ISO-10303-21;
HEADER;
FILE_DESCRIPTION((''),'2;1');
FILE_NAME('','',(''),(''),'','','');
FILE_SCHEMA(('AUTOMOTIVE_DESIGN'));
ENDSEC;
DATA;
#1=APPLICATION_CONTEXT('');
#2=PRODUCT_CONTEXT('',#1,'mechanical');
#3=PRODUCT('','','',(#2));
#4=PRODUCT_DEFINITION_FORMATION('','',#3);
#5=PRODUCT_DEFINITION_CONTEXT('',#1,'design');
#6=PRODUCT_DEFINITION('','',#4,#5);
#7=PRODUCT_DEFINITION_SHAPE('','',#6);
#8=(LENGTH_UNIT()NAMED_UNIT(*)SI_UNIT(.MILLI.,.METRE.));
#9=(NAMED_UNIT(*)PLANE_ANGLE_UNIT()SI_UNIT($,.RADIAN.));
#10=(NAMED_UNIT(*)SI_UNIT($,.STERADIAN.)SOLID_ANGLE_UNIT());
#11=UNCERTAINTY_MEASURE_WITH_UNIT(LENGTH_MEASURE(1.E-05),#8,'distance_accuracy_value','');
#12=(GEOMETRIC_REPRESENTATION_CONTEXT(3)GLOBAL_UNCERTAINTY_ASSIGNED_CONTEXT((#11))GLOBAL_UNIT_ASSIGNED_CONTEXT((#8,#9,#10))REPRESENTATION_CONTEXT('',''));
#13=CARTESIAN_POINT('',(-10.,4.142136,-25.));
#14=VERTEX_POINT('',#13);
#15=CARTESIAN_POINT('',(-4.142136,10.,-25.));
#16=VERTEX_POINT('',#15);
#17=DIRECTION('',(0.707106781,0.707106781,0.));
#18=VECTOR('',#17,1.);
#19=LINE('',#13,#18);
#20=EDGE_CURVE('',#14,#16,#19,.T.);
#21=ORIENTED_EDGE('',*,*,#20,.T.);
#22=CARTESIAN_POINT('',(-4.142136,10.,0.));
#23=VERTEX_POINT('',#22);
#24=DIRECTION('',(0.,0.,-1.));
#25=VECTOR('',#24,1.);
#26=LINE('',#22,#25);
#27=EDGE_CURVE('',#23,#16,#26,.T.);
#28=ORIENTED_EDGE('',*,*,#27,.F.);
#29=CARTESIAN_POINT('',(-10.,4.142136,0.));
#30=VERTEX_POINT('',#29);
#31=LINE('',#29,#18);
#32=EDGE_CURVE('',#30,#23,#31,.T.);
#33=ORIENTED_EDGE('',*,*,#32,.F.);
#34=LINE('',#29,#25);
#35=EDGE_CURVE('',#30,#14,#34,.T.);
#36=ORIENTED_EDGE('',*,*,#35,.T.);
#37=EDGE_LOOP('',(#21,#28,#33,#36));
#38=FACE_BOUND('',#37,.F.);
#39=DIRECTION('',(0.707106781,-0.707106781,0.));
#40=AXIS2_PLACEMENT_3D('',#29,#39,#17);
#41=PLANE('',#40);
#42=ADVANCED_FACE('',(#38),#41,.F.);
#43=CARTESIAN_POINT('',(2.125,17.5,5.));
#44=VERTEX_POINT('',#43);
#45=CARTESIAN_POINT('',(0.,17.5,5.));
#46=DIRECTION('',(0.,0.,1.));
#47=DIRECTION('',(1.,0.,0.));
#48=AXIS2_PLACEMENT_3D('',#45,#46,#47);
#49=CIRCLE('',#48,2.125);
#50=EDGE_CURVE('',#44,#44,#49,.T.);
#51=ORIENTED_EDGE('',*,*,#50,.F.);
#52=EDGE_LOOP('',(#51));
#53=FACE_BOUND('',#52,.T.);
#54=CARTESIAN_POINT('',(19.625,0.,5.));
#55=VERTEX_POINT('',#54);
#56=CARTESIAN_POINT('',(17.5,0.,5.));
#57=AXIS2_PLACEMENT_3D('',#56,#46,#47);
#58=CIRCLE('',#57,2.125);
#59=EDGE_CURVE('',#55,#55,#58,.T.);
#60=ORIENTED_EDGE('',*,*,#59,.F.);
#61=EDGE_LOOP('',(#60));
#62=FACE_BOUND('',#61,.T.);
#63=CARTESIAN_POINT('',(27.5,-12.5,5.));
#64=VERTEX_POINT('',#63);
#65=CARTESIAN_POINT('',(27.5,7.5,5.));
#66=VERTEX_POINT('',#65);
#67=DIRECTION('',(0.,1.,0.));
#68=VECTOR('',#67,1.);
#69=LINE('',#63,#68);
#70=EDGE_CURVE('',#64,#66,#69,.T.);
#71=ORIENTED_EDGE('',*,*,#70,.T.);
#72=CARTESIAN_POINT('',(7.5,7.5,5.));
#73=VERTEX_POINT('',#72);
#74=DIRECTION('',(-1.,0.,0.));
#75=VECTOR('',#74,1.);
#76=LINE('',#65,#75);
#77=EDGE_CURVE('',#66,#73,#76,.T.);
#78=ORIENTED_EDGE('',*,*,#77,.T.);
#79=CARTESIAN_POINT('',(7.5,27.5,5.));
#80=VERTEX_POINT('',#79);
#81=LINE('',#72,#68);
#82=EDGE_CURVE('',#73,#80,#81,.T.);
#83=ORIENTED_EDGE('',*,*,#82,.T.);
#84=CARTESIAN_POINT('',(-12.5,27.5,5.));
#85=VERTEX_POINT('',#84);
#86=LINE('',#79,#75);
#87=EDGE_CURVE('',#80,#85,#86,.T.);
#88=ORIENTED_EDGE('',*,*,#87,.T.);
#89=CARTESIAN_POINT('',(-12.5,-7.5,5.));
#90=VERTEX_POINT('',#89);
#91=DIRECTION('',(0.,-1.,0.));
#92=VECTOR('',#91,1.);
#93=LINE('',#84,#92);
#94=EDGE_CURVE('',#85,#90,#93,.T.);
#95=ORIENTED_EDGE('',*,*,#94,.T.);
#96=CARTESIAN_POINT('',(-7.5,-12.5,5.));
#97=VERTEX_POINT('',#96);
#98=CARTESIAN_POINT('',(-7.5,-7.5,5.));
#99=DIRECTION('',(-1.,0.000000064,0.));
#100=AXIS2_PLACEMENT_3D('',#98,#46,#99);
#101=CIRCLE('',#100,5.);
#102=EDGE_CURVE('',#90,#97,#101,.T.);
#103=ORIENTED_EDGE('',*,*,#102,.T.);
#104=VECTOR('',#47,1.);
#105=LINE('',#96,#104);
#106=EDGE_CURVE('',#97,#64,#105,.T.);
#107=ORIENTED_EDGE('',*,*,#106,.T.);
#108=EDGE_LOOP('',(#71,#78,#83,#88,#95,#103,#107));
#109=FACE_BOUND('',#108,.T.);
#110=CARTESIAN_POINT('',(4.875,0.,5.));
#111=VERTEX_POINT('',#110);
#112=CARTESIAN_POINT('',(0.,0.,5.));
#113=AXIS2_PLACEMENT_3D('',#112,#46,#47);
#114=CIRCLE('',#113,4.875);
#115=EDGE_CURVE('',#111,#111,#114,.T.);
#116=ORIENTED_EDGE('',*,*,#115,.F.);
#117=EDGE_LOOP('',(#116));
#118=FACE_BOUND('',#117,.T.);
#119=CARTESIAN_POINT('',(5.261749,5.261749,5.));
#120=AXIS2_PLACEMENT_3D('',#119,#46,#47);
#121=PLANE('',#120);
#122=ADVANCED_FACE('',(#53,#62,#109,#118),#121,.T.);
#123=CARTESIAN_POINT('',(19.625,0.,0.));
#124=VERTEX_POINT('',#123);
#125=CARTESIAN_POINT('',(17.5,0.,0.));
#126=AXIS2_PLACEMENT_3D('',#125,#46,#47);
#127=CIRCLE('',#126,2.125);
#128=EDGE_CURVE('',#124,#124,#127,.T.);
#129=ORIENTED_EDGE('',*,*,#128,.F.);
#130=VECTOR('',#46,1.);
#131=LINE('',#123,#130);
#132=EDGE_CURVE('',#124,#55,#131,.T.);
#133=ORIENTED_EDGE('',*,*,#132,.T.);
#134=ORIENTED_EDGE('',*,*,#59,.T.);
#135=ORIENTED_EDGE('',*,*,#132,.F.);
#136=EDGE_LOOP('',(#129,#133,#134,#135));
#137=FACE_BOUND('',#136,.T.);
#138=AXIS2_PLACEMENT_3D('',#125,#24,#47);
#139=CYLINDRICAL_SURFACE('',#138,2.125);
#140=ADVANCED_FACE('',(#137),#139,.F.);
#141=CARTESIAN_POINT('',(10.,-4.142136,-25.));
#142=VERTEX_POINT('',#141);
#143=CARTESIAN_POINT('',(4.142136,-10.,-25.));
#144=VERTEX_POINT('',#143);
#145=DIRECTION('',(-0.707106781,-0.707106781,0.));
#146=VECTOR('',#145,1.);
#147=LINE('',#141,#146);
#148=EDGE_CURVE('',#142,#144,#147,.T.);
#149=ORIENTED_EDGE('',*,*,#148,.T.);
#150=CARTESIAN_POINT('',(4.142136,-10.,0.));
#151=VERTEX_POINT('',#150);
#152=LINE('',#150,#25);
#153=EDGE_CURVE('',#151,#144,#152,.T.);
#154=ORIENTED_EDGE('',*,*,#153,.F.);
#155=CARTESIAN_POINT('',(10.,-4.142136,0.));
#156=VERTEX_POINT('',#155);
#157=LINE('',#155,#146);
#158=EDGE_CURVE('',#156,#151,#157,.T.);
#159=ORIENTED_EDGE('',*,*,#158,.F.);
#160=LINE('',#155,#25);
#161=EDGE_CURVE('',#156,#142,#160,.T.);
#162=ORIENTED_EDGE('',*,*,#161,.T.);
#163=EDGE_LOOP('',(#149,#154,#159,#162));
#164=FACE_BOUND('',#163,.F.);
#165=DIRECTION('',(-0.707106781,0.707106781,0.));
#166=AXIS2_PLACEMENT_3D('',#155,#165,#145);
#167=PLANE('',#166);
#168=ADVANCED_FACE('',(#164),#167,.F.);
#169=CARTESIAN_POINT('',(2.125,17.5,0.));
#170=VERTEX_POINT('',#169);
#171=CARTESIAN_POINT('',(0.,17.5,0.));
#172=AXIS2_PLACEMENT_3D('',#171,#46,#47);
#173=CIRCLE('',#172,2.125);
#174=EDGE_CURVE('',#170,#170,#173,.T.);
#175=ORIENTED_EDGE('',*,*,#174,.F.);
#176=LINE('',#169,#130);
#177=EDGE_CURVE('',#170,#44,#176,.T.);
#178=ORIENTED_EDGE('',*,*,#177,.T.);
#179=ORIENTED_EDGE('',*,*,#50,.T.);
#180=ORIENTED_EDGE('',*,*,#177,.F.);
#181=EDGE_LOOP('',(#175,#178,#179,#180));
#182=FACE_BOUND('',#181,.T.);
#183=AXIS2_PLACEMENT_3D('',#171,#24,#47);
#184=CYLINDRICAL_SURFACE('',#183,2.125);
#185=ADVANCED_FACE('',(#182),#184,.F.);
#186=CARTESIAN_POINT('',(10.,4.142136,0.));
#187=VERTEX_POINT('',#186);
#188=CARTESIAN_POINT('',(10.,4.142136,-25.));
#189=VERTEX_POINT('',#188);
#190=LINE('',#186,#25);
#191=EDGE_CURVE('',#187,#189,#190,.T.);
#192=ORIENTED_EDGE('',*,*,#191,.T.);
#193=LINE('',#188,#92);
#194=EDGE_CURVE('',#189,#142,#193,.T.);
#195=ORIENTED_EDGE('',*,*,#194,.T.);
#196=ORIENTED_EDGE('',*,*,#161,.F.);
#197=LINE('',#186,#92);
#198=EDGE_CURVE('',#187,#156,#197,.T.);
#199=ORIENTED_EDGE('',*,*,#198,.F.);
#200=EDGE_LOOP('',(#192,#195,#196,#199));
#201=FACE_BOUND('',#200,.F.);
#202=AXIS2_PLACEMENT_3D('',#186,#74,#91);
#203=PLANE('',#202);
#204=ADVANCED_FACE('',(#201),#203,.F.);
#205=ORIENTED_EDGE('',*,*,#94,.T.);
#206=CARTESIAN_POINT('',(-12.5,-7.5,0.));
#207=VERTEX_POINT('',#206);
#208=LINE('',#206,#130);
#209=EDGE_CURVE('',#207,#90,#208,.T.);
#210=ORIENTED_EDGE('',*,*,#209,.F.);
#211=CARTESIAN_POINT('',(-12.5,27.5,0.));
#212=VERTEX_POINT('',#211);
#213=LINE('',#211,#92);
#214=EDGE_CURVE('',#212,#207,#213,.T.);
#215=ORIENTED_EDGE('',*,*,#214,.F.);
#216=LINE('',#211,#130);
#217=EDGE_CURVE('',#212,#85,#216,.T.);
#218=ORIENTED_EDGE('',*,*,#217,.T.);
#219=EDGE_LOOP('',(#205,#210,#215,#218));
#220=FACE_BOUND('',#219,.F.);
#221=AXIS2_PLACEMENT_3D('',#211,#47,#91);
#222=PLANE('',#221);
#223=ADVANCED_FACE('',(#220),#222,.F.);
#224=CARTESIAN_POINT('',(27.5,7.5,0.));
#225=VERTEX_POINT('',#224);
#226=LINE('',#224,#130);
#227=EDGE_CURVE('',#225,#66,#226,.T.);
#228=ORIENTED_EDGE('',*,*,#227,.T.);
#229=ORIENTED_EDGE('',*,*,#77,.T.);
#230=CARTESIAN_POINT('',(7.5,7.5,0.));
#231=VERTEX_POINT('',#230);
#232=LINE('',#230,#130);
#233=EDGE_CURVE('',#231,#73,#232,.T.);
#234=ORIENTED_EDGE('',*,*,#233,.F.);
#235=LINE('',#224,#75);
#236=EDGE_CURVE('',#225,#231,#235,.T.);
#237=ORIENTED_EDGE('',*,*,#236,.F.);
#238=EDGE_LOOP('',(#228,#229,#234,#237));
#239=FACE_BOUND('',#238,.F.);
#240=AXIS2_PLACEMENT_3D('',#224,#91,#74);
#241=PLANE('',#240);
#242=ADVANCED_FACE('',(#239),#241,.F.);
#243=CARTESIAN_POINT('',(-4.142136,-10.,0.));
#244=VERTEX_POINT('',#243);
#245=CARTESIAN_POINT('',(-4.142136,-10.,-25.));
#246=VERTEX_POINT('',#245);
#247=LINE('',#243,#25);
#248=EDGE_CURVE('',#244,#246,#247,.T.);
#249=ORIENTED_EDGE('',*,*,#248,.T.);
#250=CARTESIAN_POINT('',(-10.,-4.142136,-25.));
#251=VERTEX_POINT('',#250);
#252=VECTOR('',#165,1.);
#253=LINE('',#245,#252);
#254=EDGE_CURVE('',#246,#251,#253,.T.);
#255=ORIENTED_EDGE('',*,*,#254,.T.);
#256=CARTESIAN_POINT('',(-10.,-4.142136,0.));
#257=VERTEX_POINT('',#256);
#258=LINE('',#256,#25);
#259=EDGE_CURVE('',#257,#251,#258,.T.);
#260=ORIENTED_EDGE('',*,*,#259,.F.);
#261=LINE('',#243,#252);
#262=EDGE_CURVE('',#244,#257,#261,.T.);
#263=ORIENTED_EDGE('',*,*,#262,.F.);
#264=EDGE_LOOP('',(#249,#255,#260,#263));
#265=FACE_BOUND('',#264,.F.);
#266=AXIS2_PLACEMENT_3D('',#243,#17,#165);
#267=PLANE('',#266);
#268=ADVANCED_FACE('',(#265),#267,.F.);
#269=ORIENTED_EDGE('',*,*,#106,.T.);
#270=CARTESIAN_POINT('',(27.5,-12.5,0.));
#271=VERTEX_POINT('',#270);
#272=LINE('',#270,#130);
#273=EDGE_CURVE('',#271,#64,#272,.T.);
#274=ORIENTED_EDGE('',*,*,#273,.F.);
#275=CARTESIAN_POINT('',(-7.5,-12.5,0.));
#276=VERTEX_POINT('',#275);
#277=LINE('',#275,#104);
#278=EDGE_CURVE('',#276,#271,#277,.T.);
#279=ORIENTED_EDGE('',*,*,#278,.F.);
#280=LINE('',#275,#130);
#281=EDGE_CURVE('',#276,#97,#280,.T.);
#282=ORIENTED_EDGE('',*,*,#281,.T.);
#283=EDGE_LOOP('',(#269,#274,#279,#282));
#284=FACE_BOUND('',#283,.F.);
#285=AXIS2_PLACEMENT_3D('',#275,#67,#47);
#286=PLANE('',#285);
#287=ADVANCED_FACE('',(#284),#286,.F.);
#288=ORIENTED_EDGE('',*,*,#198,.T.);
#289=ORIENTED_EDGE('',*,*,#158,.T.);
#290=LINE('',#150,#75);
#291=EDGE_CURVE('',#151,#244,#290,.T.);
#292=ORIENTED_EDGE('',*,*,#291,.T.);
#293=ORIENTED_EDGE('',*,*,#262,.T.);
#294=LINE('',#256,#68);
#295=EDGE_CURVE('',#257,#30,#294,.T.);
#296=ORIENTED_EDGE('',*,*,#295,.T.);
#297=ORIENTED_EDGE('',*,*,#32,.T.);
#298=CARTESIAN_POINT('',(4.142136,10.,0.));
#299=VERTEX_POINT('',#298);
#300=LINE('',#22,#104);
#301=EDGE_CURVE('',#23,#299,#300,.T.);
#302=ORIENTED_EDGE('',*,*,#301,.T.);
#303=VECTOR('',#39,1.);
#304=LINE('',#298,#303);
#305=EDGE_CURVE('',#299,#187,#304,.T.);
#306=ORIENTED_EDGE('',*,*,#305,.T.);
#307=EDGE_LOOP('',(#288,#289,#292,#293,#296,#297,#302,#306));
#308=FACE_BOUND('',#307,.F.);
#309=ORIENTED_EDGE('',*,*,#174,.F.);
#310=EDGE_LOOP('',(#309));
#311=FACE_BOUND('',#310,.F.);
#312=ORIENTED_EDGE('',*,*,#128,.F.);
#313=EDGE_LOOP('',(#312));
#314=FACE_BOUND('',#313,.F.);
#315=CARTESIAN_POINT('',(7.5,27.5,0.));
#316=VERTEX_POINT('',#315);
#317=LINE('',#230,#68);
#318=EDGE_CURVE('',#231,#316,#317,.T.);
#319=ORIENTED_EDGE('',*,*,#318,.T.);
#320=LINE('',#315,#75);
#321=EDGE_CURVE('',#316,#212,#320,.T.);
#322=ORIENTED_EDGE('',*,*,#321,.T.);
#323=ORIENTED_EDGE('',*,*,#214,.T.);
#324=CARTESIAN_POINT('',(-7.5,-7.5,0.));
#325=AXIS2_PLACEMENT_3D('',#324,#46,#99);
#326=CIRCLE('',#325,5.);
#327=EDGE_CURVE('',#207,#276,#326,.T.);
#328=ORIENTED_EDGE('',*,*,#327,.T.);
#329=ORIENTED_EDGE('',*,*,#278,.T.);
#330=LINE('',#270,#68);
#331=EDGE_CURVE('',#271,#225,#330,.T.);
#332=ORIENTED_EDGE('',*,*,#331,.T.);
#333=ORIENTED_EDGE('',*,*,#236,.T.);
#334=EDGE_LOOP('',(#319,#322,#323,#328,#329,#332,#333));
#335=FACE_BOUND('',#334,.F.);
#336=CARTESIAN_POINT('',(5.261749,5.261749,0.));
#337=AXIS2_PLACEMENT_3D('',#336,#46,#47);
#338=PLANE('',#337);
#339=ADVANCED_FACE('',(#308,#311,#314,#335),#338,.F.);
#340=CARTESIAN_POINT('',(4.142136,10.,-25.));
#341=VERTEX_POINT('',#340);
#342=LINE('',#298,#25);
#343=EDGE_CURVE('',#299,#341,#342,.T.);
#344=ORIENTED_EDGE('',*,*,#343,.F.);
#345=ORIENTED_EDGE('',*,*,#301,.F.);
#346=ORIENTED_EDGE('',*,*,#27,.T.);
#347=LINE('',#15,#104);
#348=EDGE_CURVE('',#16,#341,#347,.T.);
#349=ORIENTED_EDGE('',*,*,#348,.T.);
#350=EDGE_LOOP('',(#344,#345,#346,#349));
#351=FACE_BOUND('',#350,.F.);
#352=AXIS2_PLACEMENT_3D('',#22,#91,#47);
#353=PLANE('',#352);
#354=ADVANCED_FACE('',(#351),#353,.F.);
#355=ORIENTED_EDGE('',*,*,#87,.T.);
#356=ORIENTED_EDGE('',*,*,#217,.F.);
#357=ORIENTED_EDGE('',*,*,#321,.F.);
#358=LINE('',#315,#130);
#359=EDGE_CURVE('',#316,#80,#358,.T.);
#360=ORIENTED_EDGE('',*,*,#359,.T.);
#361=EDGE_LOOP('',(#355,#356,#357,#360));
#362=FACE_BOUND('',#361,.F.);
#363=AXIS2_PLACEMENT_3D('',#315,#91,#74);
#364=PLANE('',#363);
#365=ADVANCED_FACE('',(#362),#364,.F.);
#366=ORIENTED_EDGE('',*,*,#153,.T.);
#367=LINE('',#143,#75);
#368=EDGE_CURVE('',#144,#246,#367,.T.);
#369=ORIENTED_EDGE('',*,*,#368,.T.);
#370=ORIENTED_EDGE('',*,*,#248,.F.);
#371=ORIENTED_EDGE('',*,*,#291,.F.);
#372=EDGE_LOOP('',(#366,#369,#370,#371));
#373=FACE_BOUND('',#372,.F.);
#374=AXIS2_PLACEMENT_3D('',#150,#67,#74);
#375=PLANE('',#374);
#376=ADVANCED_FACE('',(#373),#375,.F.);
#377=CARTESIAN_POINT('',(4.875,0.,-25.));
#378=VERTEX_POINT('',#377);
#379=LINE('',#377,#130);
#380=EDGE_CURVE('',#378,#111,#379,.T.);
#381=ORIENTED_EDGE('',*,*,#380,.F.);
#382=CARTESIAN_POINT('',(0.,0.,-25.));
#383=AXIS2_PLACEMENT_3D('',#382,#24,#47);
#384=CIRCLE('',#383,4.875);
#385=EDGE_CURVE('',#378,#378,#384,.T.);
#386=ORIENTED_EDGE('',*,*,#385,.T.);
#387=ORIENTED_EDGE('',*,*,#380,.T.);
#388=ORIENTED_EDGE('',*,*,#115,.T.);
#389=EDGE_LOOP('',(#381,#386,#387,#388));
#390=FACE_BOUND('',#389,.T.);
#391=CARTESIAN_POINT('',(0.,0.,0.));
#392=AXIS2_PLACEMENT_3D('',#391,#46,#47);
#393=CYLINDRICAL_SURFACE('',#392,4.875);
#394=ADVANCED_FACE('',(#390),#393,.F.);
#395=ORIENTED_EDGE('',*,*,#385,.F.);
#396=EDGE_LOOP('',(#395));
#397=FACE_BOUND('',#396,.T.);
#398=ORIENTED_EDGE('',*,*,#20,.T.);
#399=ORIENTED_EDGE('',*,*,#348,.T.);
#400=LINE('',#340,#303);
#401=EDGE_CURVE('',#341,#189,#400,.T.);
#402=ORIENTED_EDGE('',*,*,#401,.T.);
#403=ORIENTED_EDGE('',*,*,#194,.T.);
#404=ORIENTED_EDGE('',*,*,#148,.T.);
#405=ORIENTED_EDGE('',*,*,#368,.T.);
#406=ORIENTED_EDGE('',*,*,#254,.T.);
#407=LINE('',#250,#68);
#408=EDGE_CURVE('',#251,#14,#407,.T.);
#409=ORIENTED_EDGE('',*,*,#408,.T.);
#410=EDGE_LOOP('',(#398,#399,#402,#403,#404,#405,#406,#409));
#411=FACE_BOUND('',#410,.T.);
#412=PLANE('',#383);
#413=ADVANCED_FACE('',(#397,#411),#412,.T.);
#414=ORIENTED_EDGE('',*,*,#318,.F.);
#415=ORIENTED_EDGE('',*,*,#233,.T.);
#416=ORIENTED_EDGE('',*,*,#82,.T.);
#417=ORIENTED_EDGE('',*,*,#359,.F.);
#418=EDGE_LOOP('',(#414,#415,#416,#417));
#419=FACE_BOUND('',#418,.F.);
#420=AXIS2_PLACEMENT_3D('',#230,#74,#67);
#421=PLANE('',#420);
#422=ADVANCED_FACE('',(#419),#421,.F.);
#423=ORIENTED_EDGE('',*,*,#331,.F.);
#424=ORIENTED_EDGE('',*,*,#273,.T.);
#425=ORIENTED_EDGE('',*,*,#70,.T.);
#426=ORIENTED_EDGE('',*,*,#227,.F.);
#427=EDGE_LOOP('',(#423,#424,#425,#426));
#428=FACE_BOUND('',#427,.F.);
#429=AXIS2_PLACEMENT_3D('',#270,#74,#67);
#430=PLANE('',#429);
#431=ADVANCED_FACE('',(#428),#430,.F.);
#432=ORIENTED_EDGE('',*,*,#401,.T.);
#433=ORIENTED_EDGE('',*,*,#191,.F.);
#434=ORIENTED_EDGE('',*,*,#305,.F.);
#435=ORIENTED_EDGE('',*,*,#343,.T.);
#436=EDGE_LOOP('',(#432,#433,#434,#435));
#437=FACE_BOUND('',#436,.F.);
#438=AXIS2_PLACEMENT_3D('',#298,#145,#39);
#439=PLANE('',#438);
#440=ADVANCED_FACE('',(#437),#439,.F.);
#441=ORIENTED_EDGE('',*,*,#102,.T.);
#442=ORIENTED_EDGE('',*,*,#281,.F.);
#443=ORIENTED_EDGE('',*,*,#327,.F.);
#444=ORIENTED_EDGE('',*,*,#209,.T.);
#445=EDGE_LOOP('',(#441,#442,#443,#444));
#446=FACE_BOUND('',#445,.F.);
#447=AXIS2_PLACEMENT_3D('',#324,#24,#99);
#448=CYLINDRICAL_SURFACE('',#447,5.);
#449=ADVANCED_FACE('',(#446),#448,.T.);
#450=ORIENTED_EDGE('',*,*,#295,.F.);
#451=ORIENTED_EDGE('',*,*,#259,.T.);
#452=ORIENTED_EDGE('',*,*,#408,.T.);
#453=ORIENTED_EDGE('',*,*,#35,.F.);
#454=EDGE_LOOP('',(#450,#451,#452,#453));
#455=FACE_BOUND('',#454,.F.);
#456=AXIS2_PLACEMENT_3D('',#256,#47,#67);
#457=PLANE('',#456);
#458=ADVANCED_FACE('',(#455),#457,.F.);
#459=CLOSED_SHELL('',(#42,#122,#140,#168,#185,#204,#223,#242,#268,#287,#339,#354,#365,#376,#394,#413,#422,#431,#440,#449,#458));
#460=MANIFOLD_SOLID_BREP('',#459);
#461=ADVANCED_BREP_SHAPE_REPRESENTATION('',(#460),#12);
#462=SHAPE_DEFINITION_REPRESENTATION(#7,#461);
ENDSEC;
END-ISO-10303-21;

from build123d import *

# Parameters (mm, degrees)
F0_R     = 4.875
F0_R_2   = 2.125
F1_DEPTH = 5
F2_R     = 4.875
F3_DEPTH = 25


with BuildPart() as f1:
    # F0 (on Top) → F1 (new body)
    with BuildSketch(Plane.XY):
        with BuildLine():
            Line((-12.5, 27.5), (-12.5, 0))
            Line((-12.5, 0), (-12.5, -7.5))
            ThreePointArc((-12.5, -7.5), (-11.035534, -11.035534), (-7.5, -12.5))
            Line((-7.5, -12.5), (27.5, -12.5))
            Line((27.5, -12.5), (27.5, 7.5))
            Line((27.5, 7.5), (7.5, 7.5))
            Line((7.5, 7.5), (7.5, 27.5))
            Line((7.5, 27.5), (-12.5, 27.5))
        make_face()
        Circle(F0_R, mode=Mode.SUBTRACT)
        with Locations((17.5, 0)):
            Circle(F0_R_2, mode=Mode.SUBTRACT)
        with Locations((0, 17.5)):
            Circle(F0_R_2, mode=Mode.SUBTRACT)
    extrude(amount=F1_DEPTH)

    # F2 (on face) → F3 (join)
    with BuildSketch(Plane(origin=(0, 0, 0), x_dir=(1, 0, 0), z_dir=(0, 0, -1))):
        Polygon((10, -4.142136), (10, 4.142136), (4.142136, 10), (-4.142136, 10), (-10, 4.142136), (-10, -4.142136), (-4.142136, -10), (4.142136, -10), align=None)
        Circle(F2_R, mode=Mode.SUBTRACT)
    extrude(amount=F3_DEPTH)


solid = f1.part
